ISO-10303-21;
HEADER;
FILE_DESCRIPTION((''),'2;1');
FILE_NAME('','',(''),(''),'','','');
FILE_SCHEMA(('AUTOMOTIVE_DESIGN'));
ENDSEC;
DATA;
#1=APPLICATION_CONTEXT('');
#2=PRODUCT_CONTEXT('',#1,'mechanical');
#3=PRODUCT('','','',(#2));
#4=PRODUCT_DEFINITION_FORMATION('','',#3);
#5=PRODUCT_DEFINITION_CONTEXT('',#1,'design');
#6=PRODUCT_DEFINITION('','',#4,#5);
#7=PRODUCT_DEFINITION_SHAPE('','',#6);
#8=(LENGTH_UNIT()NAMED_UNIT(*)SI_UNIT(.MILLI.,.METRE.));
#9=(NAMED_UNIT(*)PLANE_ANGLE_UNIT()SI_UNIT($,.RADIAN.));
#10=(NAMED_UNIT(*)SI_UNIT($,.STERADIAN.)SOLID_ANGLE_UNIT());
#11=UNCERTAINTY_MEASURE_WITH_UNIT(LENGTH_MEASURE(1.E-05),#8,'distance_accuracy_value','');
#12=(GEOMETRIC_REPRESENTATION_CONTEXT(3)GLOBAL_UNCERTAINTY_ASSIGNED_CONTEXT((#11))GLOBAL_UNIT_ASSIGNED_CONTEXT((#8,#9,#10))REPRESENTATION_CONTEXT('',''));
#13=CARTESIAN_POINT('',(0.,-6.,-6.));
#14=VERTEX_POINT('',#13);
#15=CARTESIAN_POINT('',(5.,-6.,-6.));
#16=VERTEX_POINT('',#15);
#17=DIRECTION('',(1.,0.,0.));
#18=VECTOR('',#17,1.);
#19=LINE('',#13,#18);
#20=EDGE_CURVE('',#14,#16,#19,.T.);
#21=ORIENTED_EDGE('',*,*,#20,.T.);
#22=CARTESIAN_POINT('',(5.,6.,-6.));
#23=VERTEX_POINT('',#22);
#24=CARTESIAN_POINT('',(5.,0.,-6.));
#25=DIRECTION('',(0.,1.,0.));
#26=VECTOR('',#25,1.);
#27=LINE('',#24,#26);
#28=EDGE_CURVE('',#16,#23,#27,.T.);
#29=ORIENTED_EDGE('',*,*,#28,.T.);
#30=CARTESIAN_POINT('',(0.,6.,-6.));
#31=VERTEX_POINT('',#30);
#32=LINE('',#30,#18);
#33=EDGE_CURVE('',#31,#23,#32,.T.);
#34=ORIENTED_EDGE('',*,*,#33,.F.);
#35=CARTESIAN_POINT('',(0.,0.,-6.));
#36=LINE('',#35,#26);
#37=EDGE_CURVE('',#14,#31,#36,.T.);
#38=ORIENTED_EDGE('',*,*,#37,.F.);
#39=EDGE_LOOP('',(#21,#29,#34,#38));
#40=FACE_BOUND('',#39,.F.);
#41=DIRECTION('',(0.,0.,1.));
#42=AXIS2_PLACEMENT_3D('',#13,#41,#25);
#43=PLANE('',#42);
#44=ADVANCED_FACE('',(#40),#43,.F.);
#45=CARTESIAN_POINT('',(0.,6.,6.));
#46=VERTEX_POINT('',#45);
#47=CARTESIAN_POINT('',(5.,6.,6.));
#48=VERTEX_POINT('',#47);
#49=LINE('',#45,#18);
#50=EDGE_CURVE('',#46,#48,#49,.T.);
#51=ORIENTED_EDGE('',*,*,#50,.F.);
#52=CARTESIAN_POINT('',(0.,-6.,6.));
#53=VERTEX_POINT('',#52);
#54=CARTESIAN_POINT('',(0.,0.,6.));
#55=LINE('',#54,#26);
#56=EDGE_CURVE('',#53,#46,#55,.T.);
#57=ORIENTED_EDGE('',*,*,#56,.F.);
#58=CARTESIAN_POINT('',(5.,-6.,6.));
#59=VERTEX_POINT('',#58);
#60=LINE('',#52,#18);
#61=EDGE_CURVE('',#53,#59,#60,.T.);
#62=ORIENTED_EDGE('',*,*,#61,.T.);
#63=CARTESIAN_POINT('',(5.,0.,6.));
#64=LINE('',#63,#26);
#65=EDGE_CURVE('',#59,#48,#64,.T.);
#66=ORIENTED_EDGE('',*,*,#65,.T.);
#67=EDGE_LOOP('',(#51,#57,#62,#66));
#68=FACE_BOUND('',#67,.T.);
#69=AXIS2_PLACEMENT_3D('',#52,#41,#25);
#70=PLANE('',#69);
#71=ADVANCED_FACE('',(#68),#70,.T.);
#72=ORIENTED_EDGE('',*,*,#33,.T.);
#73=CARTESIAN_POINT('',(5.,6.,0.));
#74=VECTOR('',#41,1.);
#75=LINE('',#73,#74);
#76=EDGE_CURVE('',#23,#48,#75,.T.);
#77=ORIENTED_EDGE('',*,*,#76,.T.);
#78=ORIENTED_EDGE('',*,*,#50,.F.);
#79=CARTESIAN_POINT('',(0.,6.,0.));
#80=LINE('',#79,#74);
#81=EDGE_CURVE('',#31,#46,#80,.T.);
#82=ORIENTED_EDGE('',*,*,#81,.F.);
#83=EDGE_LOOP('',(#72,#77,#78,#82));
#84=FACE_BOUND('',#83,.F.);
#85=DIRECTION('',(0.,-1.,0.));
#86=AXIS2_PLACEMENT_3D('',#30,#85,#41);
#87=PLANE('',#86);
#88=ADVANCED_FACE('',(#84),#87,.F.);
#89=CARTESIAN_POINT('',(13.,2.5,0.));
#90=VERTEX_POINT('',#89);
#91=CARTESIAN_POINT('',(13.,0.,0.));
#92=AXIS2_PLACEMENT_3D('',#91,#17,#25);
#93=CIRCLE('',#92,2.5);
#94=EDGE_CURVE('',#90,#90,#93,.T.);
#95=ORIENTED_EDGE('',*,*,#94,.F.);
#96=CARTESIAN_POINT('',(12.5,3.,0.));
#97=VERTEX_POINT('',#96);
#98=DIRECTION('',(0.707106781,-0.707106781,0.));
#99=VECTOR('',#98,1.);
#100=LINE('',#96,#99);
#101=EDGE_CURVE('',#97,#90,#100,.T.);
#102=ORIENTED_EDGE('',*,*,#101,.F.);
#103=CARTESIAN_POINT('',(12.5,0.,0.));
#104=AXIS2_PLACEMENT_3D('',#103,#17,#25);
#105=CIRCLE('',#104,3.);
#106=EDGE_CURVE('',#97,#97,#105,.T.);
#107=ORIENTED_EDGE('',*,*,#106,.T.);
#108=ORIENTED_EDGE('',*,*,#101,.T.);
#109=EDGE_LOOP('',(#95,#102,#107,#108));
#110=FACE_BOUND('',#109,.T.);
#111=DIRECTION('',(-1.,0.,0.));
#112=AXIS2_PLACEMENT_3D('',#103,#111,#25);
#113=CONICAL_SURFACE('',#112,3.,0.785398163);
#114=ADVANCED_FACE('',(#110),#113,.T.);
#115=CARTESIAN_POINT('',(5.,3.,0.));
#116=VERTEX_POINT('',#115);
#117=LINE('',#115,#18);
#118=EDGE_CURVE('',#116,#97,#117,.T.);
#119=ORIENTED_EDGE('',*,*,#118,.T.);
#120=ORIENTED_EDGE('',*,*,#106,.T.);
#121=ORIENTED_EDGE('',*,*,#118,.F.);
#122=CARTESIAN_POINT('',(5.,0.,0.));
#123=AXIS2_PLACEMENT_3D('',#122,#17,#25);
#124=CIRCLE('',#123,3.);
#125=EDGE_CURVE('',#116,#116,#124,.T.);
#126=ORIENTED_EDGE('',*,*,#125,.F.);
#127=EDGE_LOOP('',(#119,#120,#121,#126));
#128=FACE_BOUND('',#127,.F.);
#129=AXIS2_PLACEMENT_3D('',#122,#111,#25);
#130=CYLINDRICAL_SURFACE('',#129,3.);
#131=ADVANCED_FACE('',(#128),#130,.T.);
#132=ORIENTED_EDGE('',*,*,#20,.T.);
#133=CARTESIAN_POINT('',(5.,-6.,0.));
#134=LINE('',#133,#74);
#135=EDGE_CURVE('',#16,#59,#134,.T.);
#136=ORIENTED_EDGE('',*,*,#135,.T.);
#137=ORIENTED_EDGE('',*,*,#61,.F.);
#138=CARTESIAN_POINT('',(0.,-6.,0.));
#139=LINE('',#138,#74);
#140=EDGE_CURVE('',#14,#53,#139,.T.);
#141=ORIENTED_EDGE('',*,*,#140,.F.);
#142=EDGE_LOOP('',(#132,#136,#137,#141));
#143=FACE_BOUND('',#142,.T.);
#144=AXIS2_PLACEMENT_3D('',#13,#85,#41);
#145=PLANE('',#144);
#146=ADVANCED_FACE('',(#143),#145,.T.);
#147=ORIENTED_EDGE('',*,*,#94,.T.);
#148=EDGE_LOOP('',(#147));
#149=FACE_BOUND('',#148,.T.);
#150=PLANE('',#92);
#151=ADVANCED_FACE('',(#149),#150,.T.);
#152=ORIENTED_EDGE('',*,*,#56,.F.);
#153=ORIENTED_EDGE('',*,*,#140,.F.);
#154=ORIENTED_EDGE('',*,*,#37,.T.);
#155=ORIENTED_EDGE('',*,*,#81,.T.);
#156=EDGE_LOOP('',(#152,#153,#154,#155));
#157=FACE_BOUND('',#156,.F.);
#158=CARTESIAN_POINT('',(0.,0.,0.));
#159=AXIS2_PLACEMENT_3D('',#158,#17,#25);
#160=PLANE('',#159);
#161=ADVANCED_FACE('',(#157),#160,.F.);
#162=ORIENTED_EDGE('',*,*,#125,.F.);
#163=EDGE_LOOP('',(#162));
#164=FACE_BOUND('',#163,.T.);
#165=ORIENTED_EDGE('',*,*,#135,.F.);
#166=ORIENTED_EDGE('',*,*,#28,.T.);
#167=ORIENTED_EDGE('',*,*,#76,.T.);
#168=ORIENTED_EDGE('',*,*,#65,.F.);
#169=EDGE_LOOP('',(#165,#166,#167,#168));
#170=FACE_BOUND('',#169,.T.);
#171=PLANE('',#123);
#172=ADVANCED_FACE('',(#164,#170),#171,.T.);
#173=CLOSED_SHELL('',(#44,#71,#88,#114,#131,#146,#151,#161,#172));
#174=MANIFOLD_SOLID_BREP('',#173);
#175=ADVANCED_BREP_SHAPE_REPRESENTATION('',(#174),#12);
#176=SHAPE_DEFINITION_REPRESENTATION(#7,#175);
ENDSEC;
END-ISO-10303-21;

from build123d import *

# Parameters (mm, degrees)
F0_W     = 12
F0_H     = 12
F1_DEPTH = 5
F2_R     = 3
F3_DEPTH = 8
F4_SIZE  = 0.5


with BuildPart() as f1:
    # F0 (on Right) → F1 (new body)
    with BuildSketch(Plane.YZ):
        Rectangle(F0_W, F0_H)
    extrude(amount=F1_DEPTH)

    # F2 (on face) → F3 (join)
    with BuildSketch(Plane.YZ.offset(5)):
        Circle(F2_R)
    extrude(amount=F3_DEPTH)

    # F4
    f4_edges = [f1.edges().sort_by_distance(p)[0] for p in [
        (13, -3, 0),
    ]]
    chamfer(f4_edges, length=F4_SIZE)


solid = f1.part
